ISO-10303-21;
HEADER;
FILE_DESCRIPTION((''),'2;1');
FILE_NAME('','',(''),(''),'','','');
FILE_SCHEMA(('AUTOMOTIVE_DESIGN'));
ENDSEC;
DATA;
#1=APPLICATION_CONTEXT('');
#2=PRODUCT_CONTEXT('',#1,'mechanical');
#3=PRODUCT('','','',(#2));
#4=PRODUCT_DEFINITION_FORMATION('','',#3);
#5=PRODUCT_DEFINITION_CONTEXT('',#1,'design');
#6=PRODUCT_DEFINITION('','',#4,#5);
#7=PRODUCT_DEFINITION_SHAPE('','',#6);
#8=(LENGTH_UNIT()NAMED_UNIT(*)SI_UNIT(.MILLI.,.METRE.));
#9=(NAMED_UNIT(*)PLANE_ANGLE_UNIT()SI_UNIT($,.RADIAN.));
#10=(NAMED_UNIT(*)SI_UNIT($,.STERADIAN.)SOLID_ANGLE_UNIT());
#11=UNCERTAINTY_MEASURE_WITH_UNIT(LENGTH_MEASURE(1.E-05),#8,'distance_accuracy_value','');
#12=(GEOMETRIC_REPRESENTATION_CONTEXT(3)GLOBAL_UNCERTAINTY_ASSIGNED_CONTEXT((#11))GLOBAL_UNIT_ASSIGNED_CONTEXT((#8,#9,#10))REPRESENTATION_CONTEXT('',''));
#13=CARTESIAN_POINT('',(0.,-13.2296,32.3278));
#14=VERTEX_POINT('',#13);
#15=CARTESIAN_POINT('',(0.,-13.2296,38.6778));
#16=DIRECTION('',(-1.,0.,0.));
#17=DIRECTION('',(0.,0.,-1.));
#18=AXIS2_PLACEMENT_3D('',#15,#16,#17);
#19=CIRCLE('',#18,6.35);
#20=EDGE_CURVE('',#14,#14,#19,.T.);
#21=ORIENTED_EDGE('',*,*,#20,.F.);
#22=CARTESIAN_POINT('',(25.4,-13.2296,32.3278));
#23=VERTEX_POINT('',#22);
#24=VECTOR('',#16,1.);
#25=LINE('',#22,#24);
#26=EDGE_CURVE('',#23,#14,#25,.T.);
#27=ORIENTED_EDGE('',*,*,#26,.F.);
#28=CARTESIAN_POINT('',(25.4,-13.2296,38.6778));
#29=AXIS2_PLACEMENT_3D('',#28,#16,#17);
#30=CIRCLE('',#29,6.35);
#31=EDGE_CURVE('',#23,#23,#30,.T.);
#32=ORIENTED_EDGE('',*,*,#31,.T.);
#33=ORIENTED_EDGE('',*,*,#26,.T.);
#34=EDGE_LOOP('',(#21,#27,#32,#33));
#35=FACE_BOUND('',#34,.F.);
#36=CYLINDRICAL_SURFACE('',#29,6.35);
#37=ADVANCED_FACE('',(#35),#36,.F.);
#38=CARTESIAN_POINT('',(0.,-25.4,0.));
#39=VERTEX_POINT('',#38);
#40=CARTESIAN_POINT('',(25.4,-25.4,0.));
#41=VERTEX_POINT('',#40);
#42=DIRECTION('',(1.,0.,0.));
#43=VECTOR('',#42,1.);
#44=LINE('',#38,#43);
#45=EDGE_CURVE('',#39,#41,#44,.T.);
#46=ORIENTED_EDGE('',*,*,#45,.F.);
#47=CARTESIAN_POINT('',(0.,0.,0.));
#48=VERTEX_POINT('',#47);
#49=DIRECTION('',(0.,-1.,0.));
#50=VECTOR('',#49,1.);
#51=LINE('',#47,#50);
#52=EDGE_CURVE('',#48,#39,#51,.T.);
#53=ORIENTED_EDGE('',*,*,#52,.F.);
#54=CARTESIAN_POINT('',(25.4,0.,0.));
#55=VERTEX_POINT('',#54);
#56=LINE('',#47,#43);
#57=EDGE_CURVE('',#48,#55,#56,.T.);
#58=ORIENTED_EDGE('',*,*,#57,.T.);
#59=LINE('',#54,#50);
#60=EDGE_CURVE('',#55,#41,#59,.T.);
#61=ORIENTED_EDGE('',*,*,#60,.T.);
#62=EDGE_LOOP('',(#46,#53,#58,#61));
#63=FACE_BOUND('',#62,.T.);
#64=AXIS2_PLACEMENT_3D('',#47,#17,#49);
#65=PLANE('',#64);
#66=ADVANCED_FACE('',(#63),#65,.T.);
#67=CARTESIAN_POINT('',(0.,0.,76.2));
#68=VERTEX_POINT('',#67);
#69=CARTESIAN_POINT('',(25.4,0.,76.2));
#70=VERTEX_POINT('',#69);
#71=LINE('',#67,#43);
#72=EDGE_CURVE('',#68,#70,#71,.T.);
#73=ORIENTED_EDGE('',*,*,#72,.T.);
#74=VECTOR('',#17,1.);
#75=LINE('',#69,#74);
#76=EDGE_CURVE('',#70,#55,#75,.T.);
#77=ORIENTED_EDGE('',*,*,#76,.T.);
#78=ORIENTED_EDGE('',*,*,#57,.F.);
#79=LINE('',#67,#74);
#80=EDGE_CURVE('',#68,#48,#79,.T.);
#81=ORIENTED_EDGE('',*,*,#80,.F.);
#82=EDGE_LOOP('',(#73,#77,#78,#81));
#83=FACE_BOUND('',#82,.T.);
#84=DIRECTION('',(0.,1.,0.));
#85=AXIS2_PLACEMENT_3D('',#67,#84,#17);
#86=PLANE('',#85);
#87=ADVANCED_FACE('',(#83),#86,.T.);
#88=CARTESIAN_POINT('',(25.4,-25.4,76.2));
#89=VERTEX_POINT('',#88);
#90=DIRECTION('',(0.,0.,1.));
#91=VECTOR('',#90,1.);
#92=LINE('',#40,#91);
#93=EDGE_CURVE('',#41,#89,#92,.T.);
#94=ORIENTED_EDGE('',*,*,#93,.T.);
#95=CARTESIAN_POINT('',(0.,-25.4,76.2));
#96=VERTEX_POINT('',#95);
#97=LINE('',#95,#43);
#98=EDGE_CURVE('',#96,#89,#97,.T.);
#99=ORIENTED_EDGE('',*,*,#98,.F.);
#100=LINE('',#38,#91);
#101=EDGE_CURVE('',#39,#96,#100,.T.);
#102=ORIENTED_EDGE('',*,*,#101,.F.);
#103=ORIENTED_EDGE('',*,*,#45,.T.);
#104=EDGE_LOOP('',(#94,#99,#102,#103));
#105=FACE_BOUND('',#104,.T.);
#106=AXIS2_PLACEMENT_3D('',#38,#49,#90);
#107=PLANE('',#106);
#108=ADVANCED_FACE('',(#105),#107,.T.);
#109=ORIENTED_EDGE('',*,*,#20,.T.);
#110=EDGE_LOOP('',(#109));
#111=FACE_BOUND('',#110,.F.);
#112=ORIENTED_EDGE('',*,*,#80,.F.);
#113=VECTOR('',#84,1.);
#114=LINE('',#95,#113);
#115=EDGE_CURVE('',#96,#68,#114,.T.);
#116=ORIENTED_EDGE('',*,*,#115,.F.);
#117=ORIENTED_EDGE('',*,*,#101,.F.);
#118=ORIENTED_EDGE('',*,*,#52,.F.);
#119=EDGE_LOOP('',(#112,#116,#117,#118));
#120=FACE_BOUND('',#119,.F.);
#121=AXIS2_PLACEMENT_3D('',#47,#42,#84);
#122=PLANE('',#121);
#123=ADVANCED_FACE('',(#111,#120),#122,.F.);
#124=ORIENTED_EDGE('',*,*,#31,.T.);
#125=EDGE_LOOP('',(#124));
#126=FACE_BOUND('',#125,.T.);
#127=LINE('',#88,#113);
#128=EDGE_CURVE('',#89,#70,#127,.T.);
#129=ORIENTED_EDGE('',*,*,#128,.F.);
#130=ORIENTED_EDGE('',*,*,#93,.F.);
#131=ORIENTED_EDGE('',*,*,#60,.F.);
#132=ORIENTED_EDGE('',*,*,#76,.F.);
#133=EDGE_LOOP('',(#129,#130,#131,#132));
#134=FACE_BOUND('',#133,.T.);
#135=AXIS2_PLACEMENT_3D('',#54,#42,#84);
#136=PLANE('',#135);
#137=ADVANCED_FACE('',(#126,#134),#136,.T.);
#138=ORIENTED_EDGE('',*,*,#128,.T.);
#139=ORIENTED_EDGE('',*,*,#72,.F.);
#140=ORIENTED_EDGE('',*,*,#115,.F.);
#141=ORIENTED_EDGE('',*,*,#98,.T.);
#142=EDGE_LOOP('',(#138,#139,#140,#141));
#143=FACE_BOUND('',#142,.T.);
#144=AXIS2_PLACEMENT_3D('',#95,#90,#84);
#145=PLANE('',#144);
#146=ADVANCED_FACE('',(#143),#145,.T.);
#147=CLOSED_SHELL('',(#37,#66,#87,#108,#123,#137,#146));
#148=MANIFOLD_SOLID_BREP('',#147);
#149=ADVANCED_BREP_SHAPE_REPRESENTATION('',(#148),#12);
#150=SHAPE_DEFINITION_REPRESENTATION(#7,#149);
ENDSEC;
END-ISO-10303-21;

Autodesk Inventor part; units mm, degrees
ref_plane "YZ Plane" through (0, 0, 0) normal (1, 0, 0) x (0, 1, 0)
ref_plane "XZ Plane" through (0, 0, 0) normal (0, 1, 0) x (-1, 0, 0)
ref_plane "XY Plane" through (0, 0, 0) normal (0, 0, 1) x (1, 0, 0)
sketch "Sketch1" plane through (0, 0, 0) normal (1, 0, 0) x (0, 1, 0)
  line L0 (0, 0) -> (-25.4, 0)
  line L1 (-25.4, 0) -> (-25.4, 76.2)
  line L2 (-25.4, 76.2) -> (0, 76.2)
  line L3 (0, 76.2) -> (0, 0)
  dimension "d0" = 25.4
  dimension "d1" = 76.2
extrude "Extrusion1" add sketch "Sketch1" along normal blind 25.4
hole "Hole1" at (25.4, -13.2296, 38.6778) direction (-1, 0, 0) diameter 12.7 end through all
properties part number "Servo Main Block"
